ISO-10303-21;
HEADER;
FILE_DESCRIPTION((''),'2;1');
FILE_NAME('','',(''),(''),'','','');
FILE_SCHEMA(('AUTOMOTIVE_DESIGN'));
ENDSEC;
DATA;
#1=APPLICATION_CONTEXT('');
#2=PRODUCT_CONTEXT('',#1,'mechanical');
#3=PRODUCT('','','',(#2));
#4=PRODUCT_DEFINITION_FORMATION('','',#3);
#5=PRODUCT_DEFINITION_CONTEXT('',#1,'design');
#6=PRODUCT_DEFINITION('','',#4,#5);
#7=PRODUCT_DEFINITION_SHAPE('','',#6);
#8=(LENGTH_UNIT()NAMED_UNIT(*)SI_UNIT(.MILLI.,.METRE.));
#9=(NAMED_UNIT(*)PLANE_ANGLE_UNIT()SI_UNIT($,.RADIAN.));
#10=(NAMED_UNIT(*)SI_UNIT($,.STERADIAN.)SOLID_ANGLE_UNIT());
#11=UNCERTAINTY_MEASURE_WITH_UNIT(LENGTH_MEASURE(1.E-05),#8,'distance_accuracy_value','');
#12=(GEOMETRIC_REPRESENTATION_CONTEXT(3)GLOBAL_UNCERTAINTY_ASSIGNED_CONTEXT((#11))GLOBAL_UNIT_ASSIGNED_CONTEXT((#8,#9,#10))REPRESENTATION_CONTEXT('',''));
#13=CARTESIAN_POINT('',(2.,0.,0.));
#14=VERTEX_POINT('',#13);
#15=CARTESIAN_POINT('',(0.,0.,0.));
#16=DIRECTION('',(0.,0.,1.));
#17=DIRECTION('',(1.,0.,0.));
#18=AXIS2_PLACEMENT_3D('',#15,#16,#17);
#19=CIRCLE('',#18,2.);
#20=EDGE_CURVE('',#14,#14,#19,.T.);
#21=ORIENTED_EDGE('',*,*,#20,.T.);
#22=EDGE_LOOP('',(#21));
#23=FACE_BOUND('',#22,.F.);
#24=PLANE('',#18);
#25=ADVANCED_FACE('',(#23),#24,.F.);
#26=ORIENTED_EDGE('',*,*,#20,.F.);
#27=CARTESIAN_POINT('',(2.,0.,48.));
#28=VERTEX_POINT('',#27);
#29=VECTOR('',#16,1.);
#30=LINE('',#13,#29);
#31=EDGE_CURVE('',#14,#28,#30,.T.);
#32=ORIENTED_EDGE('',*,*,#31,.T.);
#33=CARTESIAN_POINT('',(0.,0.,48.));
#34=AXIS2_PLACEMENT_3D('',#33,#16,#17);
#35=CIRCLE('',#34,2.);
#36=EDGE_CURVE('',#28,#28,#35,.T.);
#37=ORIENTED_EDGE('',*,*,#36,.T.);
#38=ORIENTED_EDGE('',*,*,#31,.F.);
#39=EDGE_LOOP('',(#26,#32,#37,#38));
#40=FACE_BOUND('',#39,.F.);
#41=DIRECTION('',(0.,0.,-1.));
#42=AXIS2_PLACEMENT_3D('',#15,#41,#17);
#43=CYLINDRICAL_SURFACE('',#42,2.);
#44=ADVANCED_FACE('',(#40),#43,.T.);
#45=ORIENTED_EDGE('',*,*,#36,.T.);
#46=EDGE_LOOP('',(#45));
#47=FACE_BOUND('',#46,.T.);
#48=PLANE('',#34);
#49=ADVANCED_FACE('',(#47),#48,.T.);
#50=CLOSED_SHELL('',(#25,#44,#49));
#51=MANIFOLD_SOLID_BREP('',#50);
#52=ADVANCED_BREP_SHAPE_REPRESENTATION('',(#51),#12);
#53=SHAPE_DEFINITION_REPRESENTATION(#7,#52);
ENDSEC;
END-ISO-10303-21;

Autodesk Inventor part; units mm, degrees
ref_plane "YZ Plane" through (0, 0, 0) normal (1, 0, 0) x (0, 1, 0)
ref_plane "XZ Plane" through (0, 0, 0) normal (0, 1, 0) x (-1, 0, 0)
ref_plane "XY Plane" through (0, 0, 0) normal (0, 0, 1) x (1, 0, 0)
sketch "スケッチ1" plane through (0, 0, 0) normal (0, 0, 1) x (1, 0, 0)
  circle A0 centre (0, 0) radius 2
  dimension "d0" = 4
extrude "押し出し1" add sketch "スケッチ1" along normal blind 48
properties part number "ハンド_ベアリングシャフト_2" material "アルミニウム 6061"
